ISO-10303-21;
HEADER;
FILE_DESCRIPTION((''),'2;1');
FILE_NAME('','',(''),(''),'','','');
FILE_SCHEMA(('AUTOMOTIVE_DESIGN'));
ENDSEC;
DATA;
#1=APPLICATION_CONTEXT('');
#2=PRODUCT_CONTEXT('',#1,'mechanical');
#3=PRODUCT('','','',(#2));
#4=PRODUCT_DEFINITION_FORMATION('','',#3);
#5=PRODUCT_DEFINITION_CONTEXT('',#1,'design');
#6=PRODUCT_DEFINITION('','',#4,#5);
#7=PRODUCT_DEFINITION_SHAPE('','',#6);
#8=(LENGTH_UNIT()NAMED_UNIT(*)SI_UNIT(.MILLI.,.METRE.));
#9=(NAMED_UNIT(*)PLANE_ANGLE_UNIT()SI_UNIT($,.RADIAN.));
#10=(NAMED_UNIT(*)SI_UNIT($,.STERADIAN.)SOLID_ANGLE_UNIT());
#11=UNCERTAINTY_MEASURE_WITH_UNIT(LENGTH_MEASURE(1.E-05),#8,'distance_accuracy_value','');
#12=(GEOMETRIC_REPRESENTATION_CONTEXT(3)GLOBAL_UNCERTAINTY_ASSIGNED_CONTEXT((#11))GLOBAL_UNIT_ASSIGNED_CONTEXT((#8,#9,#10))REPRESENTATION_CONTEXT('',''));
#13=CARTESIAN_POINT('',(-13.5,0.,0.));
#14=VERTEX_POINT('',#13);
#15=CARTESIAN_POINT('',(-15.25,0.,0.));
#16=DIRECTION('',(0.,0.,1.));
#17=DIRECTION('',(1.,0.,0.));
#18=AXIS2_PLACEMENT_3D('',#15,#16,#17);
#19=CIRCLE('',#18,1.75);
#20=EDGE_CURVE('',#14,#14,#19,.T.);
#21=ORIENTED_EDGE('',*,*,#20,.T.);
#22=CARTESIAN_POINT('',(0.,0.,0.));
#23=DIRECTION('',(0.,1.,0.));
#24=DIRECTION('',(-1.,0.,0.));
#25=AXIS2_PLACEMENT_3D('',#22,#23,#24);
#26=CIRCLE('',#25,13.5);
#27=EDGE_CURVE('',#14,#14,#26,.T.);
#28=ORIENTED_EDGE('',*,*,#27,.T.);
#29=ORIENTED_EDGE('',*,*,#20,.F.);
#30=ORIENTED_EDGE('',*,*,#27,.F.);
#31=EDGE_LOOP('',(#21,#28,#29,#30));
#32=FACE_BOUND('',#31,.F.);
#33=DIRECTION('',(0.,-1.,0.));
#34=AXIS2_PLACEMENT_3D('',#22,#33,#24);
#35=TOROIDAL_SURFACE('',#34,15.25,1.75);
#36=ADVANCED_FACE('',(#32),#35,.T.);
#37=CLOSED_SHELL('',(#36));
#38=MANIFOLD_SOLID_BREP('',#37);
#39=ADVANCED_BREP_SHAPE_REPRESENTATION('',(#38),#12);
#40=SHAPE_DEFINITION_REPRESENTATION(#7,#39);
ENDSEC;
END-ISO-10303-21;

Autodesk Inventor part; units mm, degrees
ref_plane "YZ Plane" through (0, 0, 0) normal (1, 0, 0) x (0, 1, 0)
ref_plane "XZ Plane" through (0, 0, 0) normal (0, 1, 0) x (-1, 0, 0)
ref_plane "XY Plane" through (0, 0, 0) normal (0, 0, 1) x (1, 0, 0)
sketch "Skizze1" plane through (0, 0, 0) normal (0, 0, 1) x (1, 0, 0)
  circle A0 centre (-15.25, 0) radius 1.75
  line L0 (0, -2.45) -> (0, 2.45) projected
  point P0 (0, 0)
  dimension "d1" = 3.5
  dimension "d2" = 34
revolve "Umdrehung1" add sketch "Skizze1" angle 360 about axis through (0, -10, 0) along (0, 1, 0)
properties part number "O-Ring_34x3.5"
